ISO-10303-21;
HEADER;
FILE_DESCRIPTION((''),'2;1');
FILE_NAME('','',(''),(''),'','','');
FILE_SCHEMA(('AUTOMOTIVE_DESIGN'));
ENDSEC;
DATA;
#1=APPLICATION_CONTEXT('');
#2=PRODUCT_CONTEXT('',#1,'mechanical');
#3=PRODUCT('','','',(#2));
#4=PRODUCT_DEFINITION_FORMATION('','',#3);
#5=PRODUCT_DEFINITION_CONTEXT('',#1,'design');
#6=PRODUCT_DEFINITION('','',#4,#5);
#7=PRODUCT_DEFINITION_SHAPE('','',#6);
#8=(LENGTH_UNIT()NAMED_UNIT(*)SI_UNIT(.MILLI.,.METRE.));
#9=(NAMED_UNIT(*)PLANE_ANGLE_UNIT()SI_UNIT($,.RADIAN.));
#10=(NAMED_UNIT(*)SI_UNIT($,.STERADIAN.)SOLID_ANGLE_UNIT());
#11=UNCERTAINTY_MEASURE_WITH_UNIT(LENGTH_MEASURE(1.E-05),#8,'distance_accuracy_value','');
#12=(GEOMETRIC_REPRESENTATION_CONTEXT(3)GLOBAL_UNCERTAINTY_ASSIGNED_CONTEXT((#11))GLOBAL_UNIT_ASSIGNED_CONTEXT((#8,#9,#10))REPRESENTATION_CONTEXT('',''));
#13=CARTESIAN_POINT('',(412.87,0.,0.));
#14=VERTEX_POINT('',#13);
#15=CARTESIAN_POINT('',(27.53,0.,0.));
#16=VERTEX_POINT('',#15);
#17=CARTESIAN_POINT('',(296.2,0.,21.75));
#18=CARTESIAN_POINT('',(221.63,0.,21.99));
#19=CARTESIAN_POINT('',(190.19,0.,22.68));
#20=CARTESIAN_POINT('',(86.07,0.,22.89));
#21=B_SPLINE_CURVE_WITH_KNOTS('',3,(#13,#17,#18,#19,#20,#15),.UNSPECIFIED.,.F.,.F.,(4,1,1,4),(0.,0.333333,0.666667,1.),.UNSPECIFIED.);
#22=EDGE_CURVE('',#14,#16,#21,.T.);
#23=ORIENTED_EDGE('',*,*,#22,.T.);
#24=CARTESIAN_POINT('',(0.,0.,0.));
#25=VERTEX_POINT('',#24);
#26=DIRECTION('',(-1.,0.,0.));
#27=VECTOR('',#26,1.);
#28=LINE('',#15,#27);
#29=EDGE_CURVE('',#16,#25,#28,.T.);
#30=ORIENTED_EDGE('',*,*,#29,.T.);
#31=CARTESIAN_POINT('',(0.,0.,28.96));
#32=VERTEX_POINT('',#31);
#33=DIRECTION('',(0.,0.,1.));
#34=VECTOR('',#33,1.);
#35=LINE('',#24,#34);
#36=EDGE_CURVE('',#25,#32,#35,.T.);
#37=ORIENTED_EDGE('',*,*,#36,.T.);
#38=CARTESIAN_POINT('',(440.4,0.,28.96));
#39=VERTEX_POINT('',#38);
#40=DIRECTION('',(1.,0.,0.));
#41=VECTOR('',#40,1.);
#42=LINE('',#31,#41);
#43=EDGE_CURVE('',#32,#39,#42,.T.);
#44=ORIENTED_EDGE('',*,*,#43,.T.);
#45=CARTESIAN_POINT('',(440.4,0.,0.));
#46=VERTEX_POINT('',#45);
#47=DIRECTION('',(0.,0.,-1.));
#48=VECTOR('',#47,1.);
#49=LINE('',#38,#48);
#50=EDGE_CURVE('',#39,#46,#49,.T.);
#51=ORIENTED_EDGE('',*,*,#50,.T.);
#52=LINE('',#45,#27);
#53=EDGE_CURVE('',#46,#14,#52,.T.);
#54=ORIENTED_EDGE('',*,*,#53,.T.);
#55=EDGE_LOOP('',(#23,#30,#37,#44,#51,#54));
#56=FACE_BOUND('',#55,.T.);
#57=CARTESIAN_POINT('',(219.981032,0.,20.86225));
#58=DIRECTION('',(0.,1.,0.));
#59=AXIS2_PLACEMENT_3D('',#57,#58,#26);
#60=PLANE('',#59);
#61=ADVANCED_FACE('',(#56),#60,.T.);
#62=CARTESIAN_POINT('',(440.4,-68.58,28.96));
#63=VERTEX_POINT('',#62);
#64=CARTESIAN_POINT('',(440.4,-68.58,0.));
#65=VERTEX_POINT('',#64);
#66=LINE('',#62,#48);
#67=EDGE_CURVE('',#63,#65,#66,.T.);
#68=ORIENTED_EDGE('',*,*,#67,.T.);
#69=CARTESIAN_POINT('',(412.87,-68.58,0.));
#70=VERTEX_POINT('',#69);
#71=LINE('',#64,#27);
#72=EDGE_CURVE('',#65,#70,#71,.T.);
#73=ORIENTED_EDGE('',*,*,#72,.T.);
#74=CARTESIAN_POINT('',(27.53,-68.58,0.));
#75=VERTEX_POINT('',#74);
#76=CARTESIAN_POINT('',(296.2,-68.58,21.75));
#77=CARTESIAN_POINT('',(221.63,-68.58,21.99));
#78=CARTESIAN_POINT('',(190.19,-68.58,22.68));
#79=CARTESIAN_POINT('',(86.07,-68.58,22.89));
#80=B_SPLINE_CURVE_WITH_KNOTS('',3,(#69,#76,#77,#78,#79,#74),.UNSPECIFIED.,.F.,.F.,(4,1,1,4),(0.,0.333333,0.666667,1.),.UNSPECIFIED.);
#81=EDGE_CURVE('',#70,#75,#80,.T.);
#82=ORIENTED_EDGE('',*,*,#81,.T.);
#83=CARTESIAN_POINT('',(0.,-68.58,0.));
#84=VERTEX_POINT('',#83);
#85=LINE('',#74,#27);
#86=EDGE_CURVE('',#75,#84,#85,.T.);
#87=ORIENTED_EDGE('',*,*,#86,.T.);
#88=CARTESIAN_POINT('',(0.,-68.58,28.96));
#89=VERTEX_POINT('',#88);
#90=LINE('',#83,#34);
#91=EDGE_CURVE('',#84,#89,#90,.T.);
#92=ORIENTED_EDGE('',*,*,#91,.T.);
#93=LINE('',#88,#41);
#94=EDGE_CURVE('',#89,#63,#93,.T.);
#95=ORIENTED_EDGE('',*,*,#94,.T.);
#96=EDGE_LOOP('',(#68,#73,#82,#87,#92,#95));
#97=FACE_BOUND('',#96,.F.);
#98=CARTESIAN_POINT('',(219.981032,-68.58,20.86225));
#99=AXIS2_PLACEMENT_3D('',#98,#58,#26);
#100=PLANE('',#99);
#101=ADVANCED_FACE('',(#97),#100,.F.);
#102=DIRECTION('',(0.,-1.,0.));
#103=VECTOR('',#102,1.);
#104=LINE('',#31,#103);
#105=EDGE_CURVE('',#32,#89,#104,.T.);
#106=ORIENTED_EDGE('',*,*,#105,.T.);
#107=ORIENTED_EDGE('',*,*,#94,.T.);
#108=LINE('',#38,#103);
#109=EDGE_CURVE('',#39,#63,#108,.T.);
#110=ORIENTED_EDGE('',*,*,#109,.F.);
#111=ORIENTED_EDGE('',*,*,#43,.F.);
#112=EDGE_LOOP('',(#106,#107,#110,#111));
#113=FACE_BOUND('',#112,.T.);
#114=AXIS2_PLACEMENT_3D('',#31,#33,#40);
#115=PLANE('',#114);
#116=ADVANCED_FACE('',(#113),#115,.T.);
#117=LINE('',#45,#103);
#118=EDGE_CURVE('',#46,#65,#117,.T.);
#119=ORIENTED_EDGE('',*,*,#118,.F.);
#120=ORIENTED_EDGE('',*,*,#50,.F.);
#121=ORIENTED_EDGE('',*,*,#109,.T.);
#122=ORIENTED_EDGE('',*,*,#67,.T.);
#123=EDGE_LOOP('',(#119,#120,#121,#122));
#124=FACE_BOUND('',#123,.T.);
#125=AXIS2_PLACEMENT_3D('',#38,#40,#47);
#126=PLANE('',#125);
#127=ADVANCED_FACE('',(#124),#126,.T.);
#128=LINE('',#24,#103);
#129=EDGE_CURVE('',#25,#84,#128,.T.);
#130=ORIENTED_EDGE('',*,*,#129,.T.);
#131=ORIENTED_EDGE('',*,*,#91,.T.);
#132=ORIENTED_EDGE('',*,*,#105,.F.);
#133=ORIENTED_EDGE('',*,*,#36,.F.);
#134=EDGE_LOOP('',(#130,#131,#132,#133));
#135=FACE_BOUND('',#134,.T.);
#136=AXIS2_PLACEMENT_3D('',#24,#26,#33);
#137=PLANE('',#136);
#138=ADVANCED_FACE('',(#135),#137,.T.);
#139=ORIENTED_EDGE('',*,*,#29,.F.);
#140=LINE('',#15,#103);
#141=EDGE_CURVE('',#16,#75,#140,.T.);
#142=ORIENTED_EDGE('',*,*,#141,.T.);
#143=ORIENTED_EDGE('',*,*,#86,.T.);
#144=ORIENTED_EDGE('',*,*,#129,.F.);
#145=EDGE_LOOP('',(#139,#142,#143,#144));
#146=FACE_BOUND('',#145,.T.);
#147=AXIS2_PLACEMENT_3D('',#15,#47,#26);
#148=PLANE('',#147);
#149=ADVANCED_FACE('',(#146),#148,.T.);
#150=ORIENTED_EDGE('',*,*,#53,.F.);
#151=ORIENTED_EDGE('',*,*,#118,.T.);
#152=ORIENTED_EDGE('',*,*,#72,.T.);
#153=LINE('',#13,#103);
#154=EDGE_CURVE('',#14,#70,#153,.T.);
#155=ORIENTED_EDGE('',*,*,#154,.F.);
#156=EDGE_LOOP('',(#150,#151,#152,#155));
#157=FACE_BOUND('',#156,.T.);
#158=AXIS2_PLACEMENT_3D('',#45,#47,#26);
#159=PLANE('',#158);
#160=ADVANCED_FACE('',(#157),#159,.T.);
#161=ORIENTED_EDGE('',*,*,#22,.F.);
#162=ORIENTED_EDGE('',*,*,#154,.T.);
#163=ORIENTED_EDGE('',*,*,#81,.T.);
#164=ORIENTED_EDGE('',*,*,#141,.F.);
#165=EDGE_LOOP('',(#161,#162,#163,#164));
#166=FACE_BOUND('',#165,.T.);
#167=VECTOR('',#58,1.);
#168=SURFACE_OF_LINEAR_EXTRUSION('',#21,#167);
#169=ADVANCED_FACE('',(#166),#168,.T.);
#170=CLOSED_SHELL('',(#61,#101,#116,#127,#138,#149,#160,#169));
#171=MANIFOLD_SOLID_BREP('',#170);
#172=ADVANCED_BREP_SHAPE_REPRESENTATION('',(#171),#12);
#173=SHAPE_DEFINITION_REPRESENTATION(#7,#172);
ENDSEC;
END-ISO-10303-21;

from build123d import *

# Parameters (mm, degrees)
BAR_DEPTH = 68.58


with BuildPart() as part:
    # Sketch → Bar (new body)
    with BuildSketch(Plane.XZ):
        with BuildLine():
            Line((27.53, 0), (0, 0))
            Line((0, 0), (0, 28.96))
            Line((0, 28.96), (440.4, 28.96))
            Line((440.4, 28.96), (440.4, 0))
            Line((440.4, 0), (412.87, 0))
            add(Edge.make_bspline(
                [(412.87, 0), (296.2, 21.75), (221.63, 21.99), (190.19, 22.68), (86.07, 22.89), (27.53, 0)],
                knots=[0, 0, 0, 0, 0.333333, 0.666667, 1, 1, 1, 1], degree=3))
        make_face()
    extrude(amount=BAR_DEPTH)


solid = part.part
